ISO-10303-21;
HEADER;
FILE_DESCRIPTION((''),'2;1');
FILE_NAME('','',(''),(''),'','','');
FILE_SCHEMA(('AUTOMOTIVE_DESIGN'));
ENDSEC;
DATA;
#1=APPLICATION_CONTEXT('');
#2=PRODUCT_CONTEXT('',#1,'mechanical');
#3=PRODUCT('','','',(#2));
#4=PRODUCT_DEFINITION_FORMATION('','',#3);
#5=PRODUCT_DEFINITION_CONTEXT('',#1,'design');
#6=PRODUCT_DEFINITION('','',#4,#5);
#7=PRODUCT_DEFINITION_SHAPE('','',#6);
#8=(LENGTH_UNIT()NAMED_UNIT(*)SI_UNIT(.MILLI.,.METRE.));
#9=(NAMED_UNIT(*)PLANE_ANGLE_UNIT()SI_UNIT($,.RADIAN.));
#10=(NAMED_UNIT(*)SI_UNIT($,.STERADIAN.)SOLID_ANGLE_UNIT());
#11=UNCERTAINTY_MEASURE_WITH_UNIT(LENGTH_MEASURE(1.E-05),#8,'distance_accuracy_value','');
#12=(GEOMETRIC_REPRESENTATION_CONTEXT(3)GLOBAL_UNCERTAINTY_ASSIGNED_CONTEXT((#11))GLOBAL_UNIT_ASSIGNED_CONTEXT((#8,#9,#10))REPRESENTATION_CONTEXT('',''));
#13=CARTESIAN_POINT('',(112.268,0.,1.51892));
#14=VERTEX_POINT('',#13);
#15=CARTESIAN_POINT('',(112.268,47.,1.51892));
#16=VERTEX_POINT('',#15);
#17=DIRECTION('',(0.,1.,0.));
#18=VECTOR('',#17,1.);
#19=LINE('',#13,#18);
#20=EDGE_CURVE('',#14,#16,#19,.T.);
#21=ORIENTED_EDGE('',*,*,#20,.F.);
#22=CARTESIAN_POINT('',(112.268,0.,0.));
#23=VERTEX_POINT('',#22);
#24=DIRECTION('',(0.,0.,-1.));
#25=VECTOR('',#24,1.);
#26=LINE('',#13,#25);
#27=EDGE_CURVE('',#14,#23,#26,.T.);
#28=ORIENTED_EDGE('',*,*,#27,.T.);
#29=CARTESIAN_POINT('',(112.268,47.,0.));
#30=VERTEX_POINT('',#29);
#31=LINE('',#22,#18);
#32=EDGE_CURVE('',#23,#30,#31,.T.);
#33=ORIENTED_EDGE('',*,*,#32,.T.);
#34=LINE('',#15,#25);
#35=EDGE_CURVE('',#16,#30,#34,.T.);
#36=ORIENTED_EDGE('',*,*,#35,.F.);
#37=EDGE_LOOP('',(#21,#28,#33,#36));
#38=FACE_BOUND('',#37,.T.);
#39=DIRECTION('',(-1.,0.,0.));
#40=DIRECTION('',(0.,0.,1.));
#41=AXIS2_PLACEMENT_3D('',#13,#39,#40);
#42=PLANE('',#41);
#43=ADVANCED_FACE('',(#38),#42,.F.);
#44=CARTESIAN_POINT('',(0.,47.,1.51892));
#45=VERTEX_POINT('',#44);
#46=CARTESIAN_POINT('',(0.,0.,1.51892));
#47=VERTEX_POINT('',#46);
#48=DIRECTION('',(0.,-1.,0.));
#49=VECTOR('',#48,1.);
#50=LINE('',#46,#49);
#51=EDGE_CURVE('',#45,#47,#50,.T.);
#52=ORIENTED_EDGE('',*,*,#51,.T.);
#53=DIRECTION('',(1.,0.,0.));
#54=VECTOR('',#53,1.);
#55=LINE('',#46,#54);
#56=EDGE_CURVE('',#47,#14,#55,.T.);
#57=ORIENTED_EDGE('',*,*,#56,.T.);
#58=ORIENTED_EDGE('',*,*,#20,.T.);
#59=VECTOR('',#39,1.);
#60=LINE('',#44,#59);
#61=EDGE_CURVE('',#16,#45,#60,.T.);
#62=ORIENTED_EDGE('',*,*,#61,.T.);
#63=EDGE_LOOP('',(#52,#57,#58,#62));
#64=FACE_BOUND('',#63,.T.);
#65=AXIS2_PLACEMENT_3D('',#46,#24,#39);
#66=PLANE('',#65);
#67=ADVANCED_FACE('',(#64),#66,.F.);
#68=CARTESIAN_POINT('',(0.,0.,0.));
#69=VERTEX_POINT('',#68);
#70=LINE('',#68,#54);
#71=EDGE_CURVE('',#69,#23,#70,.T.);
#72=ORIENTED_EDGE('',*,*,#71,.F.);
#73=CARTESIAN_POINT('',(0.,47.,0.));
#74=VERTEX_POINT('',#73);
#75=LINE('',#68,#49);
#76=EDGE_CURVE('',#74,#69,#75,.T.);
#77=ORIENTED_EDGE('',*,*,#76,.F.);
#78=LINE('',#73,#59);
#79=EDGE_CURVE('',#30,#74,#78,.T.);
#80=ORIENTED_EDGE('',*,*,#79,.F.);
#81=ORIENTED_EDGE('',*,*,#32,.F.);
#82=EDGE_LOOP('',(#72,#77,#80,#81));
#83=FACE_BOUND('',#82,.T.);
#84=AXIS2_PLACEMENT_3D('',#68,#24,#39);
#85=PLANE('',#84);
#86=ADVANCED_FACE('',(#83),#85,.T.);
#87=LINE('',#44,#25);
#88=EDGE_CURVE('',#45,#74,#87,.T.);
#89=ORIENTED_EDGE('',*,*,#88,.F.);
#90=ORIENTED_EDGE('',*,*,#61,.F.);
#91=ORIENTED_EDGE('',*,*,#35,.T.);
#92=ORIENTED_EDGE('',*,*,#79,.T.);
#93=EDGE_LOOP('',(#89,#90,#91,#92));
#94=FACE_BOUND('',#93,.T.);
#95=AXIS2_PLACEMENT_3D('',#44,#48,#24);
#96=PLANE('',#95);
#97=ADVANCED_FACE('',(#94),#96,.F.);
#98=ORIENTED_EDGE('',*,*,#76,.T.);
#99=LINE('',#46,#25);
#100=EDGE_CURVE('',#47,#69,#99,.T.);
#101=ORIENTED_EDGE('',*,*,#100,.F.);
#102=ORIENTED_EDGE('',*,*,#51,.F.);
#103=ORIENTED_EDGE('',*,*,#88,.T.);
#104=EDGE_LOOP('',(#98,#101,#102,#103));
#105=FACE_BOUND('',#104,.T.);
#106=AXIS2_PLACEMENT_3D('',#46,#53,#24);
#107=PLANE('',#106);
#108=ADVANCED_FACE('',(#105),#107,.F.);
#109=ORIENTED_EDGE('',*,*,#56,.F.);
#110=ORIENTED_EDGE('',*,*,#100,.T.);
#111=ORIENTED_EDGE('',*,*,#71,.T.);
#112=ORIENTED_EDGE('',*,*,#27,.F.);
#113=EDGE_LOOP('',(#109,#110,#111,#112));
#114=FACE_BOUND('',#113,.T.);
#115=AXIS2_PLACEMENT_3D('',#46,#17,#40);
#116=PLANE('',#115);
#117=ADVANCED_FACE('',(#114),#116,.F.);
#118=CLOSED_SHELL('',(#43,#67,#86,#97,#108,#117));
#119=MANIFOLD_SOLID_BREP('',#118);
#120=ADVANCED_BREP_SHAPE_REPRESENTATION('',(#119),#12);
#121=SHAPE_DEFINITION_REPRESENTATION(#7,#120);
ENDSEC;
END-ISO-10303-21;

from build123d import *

# Parameters (mm, degrees)
SKETCH1_W           = 112.268
SKETCH1_H           = 47
BOSS_EXTRUDE1_DEPTH = 1.51892


with BuildPart() as part:
    # Sketch1 → Boss-Extrude1 (new body)
    with BuildSketch(Plane.XY):
        with Locations((56.134, 23.5)):
            Rectangle(SKETCH1_W, SKETCH1_H)
    extrude(amount=BOSS_EXTRUDE1_DEPTH)


solid = part.part
